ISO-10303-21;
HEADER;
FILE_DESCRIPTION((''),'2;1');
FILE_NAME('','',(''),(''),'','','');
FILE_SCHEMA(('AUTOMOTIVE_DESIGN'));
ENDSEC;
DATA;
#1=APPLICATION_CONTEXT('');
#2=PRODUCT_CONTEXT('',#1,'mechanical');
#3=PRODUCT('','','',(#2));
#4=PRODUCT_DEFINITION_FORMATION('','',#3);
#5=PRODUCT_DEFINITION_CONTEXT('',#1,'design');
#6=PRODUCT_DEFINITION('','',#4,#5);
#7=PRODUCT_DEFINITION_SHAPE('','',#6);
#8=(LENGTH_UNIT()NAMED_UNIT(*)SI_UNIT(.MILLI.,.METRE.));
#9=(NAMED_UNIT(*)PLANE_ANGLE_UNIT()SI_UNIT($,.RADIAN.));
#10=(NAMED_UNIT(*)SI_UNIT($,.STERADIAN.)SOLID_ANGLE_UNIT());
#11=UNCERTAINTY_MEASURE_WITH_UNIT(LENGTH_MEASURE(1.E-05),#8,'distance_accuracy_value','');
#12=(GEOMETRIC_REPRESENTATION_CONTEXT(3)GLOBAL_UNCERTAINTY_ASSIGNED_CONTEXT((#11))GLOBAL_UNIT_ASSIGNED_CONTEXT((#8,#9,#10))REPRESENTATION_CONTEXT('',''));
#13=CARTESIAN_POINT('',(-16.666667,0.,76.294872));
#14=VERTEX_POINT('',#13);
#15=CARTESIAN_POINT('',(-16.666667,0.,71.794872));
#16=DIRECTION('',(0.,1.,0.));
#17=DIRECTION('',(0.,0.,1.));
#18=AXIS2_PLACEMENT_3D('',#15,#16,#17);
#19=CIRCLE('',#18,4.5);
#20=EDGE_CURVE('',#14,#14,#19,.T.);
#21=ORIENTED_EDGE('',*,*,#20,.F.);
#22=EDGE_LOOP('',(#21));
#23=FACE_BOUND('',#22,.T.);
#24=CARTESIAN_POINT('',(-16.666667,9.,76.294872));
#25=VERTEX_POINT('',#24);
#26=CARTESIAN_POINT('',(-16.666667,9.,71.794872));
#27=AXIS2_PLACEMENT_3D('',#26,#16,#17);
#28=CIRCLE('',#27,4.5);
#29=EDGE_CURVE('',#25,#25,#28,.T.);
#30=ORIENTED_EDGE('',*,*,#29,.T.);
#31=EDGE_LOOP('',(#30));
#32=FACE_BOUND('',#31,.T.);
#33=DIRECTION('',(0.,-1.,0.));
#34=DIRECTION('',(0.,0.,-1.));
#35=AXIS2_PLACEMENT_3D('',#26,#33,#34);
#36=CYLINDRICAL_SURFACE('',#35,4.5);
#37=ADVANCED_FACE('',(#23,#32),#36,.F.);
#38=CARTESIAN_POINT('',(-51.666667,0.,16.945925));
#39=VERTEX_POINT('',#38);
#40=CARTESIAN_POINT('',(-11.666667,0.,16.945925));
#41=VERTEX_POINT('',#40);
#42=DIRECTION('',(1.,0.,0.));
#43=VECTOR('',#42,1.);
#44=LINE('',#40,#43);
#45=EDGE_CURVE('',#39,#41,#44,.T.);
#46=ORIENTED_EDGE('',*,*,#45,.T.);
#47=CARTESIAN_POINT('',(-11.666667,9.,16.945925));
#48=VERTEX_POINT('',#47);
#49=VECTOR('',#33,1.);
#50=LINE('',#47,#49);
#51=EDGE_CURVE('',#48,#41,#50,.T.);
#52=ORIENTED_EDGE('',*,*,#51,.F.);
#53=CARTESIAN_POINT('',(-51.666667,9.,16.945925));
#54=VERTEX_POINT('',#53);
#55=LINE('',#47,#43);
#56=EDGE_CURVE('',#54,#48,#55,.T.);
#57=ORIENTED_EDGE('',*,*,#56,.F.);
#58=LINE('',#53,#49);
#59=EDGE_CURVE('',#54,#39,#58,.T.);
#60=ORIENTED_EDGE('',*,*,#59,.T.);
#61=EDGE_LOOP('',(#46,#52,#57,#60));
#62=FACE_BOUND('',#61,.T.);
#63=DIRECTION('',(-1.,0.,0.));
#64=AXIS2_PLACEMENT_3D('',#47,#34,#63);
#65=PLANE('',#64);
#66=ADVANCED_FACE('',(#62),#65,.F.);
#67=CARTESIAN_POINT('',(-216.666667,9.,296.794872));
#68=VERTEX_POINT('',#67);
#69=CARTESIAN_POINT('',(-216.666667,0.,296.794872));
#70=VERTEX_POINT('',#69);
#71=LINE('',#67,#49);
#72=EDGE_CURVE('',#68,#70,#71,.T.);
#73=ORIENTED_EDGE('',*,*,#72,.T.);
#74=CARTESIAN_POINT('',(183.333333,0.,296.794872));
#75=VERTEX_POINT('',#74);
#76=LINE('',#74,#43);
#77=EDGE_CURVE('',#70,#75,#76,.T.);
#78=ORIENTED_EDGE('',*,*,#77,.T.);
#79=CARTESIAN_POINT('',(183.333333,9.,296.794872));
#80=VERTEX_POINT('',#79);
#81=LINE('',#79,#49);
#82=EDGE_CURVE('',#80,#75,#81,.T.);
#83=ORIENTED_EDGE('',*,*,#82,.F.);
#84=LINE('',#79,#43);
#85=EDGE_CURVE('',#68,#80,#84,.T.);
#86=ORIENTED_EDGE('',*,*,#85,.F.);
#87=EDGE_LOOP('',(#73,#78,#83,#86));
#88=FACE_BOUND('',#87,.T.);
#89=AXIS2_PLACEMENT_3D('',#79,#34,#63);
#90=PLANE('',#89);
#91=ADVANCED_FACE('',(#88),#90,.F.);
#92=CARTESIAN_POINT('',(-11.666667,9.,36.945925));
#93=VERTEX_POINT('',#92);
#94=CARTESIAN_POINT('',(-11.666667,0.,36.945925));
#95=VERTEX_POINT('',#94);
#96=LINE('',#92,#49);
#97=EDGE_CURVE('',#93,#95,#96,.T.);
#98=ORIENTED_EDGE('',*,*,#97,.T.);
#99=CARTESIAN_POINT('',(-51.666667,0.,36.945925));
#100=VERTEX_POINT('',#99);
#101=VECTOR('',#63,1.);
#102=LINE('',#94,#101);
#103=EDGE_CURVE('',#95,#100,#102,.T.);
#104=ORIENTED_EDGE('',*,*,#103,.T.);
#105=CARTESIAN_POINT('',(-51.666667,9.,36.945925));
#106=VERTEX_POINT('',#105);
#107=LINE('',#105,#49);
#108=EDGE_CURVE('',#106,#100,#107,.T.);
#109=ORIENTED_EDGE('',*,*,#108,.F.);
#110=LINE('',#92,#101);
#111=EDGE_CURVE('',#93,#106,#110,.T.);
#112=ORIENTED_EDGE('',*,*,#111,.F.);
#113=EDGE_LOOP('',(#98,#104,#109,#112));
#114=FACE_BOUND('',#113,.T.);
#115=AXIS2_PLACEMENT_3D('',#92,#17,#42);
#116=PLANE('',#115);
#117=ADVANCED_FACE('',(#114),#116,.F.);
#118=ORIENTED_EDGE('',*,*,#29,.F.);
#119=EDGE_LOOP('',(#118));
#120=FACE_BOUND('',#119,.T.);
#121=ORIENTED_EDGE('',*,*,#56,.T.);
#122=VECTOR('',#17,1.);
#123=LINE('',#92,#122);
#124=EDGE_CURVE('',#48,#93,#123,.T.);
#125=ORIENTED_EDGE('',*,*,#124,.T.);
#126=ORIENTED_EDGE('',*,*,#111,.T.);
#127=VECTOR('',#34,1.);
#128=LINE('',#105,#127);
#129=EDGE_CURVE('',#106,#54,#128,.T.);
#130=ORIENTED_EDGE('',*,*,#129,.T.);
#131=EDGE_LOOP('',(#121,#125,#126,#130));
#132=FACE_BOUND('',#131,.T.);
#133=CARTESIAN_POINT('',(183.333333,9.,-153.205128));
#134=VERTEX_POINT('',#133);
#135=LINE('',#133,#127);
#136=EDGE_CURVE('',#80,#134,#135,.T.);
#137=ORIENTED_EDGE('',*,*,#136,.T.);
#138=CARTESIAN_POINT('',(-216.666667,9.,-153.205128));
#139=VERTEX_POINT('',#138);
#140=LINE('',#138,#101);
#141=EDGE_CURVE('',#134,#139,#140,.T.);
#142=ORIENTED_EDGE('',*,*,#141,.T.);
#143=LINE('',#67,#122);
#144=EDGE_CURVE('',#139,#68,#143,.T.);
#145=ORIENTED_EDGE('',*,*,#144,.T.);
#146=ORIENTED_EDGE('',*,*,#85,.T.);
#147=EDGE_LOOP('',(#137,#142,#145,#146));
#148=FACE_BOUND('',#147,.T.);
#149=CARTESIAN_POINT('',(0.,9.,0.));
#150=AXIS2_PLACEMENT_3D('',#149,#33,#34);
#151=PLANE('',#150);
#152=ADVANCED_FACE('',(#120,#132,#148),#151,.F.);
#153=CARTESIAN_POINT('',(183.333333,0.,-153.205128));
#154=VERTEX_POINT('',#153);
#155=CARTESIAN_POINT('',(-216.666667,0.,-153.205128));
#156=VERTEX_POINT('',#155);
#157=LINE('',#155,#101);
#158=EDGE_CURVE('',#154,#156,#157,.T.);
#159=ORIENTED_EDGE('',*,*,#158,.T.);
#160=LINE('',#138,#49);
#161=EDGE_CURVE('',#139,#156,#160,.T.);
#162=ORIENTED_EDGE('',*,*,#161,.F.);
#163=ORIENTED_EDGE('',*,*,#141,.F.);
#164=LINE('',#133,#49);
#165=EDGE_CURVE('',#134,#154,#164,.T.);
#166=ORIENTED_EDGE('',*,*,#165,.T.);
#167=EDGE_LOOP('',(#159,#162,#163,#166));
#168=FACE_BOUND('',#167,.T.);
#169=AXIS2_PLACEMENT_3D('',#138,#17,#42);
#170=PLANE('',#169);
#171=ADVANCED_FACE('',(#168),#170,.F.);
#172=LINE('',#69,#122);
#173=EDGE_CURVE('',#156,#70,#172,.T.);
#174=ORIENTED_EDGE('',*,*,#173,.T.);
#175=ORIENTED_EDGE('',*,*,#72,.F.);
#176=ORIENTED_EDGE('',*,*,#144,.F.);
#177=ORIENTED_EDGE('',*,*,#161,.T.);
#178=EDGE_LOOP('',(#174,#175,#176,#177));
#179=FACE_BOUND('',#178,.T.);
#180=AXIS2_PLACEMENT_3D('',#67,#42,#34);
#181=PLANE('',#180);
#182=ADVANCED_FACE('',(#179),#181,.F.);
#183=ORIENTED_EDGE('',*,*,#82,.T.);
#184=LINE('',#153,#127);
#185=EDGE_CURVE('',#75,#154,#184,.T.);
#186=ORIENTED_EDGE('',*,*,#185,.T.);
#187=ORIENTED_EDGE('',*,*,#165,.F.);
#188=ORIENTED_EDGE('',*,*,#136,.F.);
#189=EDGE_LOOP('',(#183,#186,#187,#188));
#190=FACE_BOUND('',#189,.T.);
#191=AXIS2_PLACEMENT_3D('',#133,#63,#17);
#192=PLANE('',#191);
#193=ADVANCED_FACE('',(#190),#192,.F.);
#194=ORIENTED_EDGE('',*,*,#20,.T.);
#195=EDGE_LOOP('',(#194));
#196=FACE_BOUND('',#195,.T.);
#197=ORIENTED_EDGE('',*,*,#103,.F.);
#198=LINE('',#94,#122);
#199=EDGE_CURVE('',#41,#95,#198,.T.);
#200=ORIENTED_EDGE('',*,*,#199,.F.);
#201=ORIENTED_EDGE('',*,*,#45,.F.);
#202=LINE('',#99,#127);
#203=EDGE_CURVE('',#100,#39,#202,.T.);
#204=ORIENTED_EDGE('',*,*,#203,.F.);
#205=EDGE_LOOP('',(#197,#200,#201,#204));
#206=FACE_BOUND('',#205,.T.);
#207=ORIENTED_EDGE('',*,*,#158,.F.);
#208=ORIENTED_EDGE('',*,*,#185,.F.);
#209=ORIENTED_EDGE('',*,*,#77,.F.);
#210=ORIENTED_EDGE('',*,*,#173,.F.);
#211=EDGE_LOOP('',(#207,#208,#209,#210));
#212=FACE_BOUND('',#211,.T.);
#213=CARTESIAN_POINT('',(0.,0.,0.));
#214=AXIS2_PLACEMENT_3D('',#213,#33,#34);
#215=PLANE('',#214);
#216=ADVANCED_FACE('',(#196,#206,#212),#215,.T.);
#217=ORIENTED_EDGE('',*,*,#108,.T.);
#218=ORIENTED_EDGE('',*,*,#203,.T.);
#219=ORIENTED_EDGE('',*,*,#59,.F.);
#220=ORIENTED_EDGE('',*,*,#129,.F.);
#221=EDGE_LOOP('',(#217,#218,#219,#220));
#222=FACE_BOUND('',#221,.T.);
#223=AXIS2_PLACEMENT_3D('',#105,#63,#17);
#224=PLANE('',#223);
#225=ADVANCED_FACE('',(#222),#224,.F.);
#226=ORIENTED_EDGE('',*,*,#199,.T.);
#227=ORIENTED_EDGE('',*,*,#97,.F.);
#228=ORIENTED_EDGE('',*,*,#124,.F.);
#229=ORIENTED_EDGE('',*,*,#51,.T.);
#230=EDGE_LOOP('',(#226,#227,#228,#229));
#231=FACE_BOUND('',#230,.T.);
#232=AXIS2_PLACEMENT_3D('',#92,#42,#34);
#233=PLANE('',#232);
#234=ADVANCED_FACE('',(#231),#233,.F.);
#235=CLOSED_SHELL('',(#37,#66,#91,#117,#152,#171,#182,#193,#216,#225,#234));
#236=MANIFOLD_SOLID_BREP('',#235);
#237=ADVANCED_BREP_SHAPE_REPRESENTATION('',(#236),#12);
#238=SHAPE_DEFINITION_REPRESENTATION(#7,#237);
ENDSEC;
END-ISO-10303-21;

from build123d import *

# Parameters (mm, degrees)
SKETCH1_W           = 400
SKETCH1_H           = 450
BOSS_EXTRUDE5_DEPTH = 9
SKETCH4_R           = 4.5
CUT_EXTRUDE2_DEPTH  = 9
SKETCH5_W           = 40
SKETCH5_H           = 20
CUT_EXTRUDE3_DEPTH  = 9


with BuildPart() as part:
    # Sketch1 → Boss-Extrude5 (new body)
    with BuildSketch(Plane(origin=(0, 0, 0), x_dir=(1, 0, 0), z_dir=(0, 1, 0))):
        with Locations((-16.666666667, -71.794871795)):
            Rectangle(SKETCH1_W, SKETCH1_H)
    extrude(amount=BOSS_EXTRUDE5_DEPTH)

    # Sketch4 → Cut-Extrude2 (cut)
    with BuildSketch(Plane(origin=(0, 0, 0), x_dir=(1, 0, 0), z_dir=(0, 1, 0))):
        with Locations((-16.666666667, -71.794871795)):
            Circle(SKETCH4_R)
    extrude(amount=CUT_EXTRUDE2_DEPTH, mode=Mode.SUBTRACT)

    # Sketch5 → Cut-Extrude3 (cut)
    with BuildSketch(Plane(origin=(0, 0, 0), x_dir=(-1, 0, 0), z_dir=(0, -1, 0))):
        with Locations((31.666666667, -26.945924524)):
            Rectangle(SKETCH5_W, SKETCH5_H)
    extrude(amount=-CUT_EXTRUDE3_DEPTH, mode=Mode.SUBTRACT)


solid = part.part
